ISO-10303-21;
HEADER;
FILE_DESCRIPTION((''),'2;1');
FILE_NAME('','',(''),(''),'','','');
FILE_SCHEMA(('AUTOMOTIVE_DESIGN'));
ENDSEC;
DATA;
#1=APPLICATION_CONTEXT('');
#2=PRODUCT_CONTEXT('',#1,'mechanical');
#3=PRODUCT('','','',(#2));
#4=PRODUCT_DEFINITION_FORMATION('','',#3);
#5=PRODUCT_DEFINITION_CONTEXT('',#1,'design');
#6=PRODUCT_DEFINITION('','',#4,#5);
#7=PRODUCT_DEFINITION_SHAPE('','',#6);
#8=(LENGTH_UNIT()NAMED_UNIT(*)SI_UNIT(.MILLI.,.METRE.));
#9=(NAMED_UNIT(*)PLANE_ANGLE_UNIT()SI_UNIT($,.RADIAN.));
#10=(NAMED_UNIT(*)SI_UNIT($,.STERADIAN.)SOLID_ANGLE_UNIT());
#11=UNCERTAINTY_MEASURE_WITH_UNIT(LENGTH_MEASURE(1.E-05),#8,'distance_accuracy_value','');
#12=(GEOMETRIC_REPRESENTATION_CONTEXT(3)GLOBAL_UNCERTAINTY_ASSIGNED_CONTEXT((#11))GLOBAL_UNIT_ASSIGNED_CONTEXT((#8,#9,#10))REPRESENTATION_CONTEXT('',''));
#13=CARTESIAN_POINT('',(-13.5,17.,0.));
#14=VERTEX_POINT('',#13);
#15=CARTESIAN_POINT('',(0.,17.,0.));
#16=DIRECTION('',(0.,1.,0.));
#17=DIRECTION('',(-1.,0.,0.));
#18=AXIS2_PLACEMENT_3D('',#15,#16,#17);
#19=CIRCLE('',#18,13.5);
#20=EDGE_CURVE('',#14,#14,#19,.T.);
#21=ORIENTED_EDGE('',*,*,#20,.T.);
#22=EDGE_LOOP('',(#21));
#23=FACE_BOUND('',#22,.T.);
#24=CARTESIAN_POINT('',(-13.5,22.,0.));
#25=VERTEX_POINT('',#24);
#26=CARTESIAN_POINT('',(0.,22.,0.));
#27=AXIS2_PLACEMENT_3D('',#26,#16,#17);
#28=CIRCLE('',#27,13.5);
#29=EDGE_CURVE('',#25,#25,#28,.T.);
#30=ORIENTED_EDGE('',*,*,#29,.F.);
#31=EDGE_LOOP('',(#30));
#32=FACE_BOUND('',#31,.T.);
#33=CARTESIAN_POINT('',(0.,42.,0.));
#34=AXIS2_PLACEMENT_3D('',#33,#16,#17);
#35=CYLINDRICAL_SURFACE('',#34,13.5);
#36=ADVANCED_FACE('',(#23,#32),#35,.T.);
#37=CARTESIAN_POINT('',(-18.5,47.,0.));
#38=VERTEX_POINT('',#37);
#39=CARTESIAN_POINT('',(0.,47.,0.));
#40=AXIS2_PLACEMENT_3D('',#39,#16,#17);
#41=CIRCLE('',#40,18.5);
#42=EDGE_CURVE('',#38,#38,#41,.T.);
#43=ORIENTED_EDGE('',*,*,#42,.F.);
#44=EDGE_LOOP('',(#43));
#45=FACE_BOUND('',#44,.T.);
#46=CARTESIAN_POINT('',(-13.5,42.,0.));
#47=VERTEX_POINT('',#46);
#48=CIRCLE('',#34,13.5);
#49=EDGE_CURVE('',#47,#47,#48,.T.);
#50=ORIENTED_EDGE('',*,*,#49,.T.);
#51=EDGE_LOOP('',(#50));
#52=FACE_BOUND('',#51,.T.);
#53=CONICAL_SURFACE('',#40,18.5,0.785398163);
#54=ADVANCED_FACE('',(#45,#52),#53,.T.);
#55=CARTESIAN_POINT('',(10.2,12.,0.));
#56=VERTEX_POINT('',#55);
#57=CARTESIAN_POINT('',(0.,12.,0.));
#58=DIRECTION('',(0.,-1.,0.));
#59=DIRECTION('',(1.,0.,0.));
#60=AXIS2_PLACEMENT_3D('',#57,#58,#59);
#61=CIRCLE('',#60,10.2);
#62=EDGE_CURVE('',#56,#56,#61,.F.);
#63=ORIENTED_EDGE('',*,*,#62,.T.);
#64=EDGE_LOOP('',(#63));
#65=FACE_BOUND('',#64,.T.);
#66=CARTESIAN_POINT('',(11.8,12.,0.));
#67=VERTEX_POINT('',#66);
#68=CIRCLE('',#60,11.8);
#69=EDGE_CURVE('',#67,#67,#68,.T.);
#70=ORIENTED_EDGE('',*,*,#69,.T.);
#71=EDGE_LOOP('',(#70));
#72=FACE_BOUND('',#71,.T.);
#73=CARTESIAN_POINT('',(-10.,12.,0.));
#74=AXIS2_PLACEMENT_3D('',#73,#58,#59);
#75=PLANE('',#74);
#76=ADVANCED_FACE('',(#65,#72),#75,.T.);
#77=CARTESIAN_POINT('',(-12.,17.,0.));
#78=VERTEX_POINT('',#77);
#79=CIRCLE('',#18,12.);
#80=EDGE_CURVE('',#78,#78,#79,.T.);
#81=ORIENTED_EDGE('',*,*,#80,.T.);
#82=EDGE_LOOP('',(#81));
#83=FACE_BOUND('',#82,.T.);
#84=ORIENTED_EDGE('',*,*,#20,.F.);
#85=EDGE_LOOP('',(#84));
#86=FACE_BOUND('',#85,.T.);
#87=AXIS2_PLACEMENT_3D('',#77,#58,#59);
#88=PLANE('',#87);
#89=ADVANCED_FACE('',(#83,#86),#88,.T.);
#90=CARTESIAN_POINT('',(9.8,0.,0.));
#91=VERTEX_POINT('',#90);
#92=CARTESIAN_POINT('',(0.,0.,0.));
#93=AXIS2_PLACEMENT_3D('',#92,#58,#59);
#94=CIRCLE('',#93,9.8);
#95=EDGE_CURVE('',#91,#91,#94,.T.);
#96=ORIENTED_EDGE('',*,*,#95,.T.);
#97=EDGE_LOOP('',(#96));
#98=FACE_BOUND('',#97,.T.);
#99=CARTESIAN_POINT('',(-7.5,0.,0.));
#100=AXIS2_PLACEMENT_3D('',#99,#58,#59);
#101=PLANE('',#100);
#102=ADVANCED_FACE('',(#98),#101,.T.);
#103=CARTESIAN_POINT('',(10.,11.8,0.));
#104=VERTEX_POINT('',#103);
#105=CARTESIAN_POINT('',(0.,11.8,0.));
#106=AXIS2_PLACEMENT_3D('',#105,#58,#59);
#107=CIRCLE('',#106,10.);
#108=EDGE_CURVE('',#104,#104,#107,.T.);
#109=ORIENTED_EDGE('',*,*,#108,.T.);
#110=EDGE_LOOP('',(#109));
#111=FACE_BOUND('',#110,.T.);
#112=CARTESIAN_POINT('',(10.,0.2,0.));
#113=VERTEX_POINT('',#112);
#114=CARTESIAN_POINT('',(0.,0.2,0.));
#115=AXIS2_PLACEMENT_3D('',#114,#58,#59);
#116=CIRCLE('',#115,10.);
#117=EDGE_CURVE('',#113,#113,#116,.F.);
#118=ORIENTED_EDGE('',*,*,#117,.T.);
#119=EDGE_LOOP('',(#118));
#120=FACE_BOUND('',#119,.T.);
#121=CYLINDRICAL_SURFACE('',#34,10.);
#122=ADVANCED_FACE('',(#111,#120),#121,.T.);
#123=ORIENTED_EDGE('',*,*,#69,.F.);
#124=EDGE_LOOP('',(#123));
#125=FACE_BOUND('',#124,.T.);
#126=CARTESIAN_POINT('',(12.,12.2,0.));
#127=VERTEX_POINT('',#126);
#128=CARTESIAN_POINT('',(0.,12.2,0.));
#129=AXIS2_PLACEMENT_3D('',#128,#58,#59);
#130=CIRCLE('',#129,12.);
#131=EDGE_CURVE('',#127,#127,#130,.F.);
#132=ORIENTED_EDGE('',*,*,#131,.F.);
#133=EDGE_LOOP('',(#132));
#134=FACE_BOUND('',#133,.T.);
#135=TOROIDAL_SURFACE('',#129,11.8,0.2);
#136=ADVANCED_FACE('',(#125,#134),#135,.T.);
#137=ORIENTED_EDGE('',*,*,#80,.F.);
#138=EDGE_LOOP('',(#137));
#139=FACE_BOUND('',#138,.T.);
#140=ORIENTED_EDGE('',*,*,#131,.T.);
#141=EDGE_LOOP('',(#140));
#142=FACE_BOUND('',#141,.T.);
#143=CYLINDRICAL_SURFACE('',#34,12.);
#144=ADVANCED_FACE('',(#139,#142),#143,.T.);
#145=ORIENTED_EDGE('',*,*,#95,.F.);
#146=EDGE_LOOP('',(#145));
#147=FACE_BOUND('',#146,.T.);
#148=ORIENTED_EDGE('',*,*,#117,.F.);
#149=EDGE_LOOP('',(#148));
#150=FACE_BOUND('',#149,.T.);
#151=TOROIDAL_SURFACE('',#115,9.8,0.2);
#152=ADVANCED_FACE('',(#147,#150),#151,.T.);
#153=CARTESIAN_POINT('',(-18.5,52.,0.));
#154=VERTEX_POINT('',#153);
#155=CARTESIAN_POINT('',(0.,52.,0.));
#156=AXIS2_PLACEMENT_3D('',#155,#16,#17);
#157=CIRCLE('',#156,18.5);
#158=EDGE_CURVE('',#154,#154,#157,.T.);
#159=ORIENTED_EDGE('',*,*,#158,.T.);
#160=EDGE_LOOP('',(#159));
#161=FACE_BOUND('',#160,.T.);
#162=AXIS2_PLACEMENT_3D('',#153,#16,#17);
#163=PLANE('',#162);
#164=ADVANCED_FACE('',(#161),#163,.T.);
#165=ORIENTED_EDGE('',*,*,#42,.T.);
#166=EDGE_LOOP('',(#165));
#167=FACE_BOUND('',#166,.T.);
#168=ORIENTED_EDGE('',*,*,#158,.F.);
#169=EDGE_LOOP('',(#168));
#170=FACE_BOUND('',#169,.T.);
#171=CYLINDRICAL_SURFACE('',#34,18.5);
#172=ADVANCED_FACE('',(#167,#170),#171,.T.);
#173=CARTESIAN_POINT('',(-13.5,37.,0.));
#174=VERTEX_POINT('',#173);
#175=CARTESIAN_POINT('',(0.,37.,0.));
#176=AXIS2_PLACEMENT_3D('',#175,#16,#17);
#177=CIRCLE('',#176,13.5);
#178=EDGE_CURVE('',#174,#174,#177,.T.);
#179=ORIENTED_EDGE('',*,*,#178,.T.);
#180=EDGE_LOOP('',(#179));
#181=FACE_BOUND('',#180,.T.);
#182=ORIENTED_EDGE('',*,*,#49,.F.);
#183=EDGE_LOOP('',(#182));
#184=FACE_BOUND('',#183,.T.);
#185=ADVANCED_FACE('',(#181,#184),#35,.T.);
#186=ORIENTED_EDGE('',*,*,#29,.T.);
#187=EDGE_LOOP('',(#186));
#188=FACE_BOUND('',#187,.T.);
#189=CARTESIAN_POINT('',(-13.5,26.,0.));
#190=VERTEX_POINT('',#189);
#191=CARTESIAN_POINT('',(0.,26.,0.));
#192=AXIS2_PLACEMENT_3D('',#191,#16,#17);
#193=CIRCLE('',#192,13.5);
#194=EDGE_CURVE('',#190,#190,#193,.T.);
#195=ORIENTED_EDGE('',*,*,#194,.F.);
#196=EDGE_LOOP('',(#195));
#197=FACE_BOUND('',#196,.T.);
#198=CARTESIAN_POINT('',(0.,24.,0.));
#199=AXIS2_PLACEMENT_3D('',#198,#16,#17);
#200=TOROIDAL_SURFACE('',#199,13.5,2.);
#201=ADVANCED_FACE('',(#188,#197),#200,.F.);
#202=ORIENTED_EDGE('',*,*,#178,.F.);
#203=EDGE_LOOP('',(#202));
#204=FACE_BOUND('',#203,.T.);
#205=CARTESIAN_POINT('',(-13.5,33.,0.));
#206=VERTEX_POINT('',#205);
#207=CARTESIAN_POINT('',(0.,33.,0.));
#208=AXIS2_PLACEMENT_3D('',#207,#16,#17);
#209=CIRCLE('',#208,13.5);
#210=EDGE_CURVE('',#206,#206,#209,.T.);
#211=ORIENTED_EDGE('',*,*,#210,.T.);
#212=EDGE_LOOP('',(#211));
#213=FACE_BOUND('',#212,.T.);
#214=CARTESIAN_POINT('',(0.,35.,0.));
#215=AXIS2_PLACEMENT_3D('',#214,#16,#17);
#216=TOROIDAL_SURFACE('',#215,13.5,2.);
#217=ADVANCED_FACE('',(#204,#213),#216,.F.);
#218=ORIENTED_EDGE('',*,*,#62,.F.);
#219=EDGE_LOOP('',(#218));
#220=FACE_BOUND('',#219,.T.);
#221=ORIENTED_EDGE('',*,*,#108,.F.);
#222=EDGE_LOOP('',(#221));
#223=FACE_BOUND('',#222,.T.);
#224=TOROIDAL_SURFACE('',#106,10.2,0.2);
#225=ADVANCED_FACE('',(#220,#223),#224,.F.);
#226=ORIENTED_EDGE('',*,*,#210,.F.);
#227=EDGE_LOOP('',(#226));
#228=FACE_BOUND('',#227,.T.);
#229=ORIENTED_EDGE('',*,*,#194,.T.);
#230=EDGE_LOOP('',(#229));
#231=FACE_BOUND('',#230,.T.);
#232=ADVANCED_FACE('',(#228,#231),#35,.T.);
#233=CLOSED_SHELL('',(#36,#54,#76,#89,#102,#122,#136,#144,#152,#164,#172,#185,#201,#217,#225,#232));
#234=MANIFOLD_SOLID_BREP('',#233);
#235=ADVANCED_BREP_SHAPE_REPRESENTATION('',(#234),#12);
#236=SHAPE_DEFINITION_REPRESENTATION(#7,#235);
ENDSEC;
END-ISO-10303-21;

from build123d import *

# Parameters (mm, degrees)
CONG_3_R = 0.2


with BuildPart() as part:
    # Esquisse1 → Révolution1 (revolve)
    with BuildSketch(Plane.XY):
        with BuildLine():
            Line((0, 0), (-7.5, 0))
            Line((-7.5, 0), (-10, 0))
            Line((-10, 0), (-10, 12))
            Line((-10, 12), (-12, 12))
            Line((-12, 12), (-12, 17))
            Line((-12, 17), (-13.5, 17))
            Line((-13.5, 17), (-13.5, 22))
            ThreePointArc((-13.5, 22), (-11.5, 24), (-13.5, 26))
            Line((-13.5, 26), (-13.5, 33))
            ThreePointArc((-13.5, 33), (-11.5, 35), (-13.5, 37))
            Line((-13.5, 37), (-13.5, 42))
            Line((-13.5, 42), (-18.5, 47))
            Line((-18.5, 47), (-18.5, 52))
            Line((-18.5, 52), (0, 52))
            Line((0, 52), (0, 42))
            Line((0, 42), (0, 0))
        make_face()
    revolve(axis=Axis((0, 42, 0), (0, -1, 0)))

    # Congé3
    cong_3_edges = [part.edges().sort_by_distance(p)[0] for p in [
        (12, 12, 0),
        (10, 12, 0),
        (10, 0, 0),
    ]]
    fillet(cong_3_edges, radius=CONG_3_R)


solid = part.part
